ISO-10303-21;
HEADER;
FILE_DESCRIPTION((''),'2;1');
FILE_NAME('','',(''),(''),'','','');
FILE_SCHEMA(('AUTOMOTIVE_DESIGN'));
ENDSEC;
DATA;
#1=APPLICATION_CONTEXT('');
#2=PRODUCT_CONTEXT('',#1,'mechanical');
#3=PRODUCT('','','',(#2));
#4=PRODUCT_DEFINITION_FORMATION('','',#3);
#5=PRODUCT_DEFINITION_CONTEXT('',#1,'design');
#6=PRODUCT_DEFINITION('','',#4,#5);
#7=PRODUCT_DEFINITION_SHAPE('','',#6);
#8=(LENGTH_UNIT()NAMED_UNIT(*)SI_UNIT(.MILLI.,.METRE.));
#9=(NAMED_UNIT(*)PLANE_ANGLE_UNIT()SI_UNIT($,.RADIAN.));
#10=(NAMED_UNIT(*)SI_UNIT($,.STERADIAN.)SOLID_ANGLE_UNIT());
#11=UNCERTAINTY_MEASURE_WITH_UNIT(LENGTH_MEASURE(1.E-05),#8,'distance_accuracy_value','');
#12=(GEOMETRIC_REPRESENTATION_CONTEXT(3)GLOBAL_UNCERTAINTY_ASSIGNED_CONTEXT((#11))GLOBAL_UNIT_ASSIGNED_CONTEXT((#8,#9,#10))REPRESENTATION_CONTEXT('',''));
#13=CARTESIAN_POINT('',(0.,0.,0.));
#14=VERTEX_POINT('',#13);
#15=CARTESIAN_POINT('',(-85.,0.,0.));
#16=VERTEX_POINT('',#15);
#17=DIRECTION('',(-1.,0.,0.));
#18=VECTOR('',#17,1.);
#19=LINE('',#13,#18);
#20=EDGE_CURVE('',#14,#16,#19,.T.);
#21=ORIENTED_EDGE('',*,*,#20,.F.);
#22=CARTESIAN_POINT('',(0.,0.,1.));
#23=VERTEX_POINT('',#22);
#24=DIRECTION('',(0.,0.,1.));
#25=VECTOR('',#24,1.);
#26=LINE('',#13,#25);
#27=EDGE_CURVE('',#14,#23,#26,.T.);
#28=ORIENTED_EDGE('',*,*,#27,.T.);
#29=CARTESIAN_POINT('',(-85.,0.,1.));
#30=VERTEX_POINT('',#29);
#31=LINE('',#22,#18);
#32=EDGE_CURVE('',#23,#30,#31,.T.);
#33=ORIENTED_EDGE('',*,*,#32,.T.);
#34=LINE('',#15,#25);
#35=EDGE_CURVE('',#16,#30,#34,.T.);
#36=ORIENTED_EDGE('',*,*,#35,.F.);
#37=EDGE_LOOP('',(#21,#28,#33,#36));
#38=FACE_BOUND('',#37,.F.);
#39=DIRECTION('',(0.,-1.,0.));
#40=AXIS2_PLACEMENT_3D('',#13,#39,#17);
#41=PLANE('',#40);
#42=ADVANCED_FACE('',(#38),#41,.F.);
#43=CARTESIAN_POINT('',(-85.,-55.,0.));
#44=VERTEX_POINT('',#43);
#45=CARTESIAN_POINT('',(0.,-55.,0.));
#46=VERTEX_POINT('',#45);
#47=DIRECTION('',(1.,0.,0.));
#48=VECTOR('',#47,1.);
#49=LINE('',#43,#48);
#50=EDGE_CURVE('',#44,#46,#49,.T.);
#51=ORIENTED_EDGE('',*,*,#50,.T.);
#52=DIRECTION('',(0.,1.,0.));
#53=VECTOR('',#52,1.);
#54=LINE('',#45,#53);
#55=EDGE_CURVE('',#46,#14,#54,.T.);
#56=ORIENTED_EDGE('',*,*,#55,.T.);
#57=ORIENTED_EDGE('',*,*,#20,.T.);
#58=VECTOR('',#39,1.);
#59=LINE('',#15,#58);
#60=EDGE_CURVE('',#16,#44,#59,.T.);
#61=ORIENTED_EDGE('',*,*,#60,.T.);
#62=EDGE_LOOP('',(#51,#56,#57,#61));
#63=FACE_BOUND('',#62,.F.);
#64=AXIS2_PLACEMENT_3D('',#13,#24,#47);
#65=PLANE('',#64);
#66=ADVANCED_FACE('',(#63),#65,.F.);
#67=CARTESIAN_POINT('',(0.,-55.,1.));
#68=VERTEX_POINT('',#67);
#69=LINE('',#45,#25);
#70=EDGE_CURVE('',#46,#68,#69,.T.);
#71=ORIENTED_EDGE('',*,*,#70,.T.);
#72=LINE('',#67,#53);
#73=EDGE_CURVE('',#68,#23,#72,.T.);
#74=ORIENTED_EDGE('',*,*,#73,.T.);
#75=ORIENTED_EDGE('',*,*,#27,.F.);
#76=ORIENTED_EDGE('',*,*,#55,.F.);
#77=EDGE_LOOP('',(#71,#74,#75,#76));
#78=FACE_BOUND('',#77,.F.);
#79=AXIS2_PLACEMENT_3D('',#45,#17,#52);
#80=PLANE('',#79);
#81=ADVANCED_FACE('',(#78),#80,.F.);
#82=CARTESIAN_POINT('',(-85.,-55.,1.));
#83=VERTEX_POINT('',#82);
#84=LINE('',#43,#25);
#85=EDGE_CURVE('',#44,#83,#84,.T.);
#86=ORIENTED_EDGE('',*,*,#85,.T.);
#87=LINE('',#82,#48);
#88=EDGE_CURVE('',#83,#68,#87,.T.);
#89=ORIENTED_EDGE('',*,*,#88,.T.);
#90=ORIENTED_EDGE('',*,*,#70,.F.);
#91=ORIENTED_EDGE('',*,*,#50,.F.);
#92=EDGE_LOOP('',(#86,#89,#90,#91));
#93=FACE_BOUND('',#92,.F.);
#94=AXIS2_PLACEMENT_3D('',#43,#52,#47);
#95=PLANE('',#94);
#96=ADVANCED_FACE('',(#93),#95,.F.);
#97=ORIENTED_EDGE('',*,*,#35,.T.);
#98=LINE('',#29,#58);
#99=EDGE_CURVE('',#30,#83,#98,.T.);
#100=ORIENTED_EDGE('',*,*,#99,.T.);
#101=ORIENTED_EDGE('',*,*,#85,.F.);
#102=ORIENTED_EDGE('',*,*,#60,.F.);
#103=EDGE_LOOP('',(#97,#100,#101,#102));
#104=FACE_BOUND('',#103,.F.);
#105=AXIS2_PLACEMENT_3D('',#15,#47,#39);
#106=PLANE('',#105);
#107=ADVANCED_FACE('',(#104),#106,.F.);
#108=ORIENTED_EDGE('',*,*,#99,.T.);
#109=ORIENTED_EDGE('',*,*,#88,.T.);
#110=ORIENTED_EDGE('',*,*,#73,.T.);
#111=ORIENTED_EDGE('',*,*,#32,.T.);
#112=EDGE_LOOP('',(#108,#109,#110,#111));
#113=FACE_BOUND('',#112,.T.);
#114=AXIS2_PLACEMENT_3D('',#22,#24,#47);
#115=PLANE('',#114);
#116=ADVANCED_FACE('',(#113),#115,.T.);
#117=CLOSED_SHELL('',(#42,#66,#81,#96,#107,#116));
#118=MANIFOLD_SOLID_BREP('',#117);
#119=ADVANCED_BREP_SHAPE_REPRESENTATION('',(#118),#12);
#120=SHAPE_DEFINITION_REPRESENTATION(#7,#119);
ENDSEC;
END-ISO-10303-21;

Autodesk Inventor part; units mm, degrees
ref_plane "YZ Plane" through (0, 0, 0) normal (1, 0, 0) x (0, 1, 0)
ref_plane "XZ Plane" through (0, 0, 0) normal (0, 1, 0) x (-1, 0, 0)
ref_plane "XY Plane" through (0, 0, 0) normal (0, 0, 1) x (1, 0, 0)
sketch "Sketch1" plane through (0, 0, 0) normal (0, 0, 1) x (1, 0, 0)
  line L0 (0, 0) -> (-85, 0)
  line L1 (-85, 0) -> (-85, -55)
  line L2 (-85, -55) -> (0, -55)
  line L3 (0, -55) -> (0, 0)
  dimension "d0" = 85
  dimension "d1" = 55
extrude "Extrusion1" add sketch "Sketch1" along normal blind 1
properties part number "uno"
